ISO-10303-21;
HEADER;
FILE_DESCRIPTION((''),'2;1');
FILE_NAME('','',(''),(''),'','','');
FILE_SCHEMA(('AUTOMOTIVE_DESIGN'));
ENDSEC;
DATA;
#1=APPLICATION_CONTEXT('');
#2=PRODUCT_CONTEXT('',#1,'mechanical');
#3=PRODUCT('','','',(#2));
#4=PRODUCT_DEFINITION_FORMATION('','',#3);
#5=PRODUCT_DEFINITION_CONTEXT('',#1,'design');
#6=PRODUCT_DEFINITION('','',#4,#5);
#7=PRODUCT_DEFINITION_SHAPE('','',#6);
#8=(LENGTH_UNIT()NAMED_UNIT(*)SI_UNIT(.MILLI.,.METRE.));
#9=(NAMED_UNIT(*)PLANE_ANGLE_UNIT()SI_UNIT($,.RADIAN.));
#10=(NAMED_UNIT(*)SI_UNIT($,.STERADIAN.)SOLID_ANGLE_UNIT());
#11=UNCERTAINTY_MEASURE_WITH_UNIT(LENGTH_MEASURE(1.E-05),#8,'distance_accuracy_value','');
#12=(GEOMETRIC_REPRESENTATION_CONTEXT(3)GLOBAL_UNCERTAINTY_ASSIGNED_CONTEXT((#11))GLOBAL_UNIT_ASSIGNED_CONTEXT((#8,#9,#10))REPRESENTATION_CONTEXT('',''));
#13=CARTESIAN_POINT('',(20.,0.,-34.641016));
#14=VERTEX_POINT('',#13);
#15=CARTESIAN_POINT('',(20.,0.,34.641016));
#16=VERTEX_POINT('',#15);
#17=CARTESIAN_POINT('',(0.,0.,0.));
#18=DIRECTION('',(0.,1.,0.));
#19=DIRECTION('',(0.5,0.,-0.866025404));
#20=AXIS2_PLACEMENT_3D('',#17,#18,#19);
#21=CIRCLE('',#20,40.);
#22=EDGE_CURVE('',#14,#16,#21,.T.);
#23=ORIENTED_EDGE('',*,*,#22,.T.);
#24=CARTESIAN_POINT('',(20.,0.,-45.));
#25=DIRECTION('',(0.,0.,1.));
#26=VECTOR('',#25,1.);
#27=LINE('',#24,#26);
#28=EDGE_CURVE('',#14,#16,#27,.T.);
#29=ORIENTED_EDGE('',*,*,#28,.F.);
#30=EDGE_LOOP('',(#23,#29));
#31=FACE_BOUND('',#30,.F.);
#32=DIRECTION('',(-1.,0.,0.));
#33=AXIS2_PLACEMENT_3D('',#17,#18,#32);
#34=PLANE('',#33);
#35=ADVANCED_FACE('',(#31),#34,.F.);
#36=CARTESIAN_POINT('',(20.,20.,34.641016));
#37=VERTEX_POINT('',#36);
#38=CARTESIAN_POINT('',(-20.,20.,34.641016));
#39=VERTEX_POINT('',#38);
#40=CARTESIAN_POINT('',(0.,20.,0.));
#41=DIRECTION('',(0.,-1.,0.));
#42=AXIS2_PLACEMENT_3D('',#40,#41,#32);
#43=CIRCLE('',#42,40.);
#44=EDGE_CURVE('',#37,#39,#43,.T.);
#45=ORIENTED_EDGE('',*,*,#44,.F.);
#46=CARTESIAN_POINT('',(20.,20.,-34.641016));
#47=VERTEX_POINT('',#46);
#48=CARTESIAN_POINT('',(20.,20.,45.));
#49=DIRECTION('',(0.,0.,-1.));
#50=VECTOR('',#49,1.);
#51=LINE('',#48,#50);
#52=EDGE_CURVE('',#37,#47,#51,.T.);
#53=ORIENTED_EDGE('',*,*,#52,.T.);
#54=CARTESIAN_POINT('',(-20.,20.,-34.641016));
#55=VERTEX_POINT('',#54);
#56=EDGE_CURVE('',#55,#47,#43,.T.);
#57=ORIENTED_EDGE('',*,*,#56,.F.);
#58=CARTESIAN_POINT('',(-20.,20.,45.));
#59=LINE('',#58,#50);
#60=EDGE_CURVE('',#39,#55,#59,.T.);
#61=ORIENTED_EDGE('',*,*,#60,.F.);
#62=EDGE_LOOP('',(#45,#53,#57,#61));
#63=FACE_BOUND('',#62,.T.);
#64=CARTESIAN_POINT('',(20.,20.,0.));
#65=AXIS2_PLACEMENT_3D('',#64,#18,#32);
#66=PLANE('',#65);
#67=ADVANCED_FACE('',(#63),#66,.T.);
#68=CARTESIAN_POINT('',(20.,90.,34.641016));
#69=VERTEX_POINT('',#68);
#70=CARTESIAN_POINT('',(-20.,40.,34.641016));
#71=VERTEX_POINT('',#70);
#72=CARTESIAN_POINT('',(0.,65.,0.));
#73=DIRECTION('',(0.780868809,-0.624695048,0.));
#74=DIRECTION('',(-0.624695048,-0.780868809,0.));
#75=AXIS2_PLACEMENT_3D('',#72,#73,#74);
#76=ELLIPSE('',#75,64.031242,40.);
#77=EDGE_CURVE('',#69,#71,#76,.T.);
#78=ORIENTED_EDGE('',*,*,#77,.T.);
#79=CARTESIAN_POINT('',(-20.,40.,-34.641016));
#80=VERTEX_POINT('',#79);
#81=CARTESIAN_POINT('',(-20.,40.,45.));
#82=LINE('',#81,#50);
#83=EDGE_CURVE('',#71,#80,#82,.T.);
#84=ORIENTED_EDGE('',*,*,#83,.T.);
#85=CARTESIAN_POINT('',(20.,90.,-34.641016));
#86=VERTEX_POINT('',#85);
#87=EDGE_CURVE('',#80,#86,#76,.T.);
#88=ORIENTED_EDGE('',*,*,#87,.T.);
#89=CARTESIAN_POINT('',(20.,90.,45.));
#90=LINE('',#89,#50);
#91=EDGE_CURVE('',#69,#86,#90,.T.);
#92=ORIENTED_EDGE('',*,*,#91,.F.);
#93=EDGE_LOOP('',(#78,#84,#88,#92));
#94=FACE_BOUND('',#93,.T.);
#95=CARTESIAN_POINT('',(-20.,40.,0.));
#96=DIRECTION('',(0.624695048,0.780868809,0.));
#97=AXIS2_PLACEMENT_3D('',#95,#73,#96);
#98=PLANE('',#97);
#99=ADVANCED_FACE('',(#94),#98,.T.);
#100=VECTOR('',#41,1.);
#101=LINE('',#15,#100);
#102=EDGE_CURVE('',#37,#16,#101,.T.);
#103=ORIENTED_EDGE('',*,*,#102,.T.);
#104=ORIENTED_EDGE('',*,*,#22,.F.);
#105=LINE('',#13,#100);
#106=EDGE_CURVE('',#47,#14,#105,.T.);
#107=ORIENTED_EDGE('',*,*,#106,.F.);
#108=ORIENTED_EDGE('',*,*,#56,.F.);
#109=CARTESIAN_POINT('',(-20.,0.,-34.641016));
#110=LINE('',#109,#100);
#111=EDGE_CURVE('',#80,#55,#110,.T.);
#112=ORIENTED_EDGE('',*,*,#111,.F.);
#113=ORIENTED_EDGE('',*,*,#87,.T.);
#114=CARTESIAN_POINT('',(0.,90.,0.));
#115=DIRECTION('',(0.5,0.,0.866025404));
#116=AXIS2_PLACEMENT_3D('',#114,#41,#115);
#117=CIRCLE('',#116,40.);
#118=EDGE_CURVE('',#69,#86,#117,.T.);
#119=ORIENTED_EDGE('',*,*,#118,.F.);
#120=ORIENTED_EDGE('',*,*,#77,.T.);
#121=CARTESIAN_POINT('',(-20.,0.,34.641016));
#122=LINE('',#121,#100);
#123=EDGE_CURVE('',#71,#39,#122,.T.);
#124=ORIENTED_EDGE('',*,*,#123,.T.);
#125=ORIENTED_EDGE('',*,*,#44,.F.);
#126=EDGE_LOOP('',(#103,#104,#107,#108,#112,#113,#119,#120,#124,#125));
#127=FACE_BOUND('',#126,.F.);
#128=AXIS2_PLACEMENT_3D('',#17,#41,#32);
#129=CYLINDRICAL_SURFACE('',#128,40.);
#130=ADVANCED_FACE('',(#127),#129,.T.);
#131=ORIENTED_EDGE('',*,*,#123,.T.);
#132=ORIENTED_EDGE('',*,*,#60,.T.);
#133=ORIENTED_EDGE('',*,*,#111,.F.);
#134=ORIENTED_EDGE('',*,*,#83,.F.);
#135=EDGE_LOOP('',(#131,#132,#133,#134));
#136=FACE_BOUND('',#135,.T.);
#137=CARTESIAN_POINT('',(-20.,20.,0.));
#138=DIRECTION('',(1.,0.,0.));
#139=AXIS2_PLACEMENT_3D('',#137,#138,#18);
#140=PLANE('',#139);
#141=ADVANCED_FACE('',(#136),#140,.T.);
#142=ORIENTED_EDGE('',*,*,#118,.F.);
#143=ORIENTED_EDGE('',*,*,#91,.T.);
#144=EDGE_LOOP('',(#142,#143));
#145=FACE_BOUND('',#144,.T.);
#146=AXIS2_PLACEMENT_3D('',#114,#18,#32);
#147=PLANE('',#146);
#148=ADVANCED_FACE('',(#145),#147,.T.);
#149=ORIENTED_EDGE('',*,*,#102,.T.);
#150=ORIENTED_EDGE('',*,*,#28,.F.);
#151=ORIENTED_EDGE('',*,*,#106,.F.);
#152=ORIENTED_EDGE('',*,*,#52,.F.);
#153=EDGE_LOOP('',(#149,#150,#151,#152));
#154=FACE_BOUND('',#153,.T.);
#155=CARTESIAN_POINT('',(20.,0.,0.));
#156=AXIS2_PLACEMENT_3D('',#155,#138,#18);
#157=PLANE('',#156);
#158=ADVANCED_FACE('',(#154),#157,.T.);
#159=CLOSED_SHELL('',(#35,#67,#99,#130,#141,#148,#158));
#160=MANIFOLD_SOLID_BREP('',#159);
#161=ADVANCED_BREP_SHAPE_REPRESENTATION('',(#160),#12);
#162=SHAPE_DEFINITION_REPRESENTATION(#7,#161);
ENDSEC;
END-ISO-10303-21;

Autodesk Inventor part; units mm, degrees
ref_plane "YZ Plane" through (0, 0, 0) normal (1, 0, 0) x (0, 1, 0)
ref_plane "XZ Plane" through (0, 0, 0) normal (0, 1, 0) x (-1, 0, 0)
ref_plane "XY Plane" through (0, 0, 0) normal (0, 0, 1) x (1, 0, 0)
sketch "Эскиз1" plane through (0, 0, 0) normal (0, 1, 0) x (-1, 0, 0)
  circle A0 centre (0, 0) radius 40
  dimension "d0" = 80
extrude "Выдавливание1" add sketch "Эскиз1" along normal blind 90
sketch "Эскиз2" plane through (0, 0, 0) normal (0, 0, 1) x (1, 0, 0)
  line L0 (-40, 90) -> (-40, 0)
  line L1 (-40, 0) -> (-40, 90) projected
  line L2 (-40, 0) -> (20, 0)
  line L3 (20, 0) -> (20, 20)
  line L4 (20, 20) -> (-20, 20)
  line L5 (-20, 20) -> (-20, 40)
  line L6 (-20, 40) -> (20, 90)
  line L7 (20, 90) -> (-40, 90)
  point P0 (0, 0)
  dimension "d3" = 60
  dimension "d4" = 20
  dimension "d5" = 40
  dimension "d6" = 20
extrude "Выдавливание2" cut sketch "Эскиз2" against normal mid plane 90 keep common part
